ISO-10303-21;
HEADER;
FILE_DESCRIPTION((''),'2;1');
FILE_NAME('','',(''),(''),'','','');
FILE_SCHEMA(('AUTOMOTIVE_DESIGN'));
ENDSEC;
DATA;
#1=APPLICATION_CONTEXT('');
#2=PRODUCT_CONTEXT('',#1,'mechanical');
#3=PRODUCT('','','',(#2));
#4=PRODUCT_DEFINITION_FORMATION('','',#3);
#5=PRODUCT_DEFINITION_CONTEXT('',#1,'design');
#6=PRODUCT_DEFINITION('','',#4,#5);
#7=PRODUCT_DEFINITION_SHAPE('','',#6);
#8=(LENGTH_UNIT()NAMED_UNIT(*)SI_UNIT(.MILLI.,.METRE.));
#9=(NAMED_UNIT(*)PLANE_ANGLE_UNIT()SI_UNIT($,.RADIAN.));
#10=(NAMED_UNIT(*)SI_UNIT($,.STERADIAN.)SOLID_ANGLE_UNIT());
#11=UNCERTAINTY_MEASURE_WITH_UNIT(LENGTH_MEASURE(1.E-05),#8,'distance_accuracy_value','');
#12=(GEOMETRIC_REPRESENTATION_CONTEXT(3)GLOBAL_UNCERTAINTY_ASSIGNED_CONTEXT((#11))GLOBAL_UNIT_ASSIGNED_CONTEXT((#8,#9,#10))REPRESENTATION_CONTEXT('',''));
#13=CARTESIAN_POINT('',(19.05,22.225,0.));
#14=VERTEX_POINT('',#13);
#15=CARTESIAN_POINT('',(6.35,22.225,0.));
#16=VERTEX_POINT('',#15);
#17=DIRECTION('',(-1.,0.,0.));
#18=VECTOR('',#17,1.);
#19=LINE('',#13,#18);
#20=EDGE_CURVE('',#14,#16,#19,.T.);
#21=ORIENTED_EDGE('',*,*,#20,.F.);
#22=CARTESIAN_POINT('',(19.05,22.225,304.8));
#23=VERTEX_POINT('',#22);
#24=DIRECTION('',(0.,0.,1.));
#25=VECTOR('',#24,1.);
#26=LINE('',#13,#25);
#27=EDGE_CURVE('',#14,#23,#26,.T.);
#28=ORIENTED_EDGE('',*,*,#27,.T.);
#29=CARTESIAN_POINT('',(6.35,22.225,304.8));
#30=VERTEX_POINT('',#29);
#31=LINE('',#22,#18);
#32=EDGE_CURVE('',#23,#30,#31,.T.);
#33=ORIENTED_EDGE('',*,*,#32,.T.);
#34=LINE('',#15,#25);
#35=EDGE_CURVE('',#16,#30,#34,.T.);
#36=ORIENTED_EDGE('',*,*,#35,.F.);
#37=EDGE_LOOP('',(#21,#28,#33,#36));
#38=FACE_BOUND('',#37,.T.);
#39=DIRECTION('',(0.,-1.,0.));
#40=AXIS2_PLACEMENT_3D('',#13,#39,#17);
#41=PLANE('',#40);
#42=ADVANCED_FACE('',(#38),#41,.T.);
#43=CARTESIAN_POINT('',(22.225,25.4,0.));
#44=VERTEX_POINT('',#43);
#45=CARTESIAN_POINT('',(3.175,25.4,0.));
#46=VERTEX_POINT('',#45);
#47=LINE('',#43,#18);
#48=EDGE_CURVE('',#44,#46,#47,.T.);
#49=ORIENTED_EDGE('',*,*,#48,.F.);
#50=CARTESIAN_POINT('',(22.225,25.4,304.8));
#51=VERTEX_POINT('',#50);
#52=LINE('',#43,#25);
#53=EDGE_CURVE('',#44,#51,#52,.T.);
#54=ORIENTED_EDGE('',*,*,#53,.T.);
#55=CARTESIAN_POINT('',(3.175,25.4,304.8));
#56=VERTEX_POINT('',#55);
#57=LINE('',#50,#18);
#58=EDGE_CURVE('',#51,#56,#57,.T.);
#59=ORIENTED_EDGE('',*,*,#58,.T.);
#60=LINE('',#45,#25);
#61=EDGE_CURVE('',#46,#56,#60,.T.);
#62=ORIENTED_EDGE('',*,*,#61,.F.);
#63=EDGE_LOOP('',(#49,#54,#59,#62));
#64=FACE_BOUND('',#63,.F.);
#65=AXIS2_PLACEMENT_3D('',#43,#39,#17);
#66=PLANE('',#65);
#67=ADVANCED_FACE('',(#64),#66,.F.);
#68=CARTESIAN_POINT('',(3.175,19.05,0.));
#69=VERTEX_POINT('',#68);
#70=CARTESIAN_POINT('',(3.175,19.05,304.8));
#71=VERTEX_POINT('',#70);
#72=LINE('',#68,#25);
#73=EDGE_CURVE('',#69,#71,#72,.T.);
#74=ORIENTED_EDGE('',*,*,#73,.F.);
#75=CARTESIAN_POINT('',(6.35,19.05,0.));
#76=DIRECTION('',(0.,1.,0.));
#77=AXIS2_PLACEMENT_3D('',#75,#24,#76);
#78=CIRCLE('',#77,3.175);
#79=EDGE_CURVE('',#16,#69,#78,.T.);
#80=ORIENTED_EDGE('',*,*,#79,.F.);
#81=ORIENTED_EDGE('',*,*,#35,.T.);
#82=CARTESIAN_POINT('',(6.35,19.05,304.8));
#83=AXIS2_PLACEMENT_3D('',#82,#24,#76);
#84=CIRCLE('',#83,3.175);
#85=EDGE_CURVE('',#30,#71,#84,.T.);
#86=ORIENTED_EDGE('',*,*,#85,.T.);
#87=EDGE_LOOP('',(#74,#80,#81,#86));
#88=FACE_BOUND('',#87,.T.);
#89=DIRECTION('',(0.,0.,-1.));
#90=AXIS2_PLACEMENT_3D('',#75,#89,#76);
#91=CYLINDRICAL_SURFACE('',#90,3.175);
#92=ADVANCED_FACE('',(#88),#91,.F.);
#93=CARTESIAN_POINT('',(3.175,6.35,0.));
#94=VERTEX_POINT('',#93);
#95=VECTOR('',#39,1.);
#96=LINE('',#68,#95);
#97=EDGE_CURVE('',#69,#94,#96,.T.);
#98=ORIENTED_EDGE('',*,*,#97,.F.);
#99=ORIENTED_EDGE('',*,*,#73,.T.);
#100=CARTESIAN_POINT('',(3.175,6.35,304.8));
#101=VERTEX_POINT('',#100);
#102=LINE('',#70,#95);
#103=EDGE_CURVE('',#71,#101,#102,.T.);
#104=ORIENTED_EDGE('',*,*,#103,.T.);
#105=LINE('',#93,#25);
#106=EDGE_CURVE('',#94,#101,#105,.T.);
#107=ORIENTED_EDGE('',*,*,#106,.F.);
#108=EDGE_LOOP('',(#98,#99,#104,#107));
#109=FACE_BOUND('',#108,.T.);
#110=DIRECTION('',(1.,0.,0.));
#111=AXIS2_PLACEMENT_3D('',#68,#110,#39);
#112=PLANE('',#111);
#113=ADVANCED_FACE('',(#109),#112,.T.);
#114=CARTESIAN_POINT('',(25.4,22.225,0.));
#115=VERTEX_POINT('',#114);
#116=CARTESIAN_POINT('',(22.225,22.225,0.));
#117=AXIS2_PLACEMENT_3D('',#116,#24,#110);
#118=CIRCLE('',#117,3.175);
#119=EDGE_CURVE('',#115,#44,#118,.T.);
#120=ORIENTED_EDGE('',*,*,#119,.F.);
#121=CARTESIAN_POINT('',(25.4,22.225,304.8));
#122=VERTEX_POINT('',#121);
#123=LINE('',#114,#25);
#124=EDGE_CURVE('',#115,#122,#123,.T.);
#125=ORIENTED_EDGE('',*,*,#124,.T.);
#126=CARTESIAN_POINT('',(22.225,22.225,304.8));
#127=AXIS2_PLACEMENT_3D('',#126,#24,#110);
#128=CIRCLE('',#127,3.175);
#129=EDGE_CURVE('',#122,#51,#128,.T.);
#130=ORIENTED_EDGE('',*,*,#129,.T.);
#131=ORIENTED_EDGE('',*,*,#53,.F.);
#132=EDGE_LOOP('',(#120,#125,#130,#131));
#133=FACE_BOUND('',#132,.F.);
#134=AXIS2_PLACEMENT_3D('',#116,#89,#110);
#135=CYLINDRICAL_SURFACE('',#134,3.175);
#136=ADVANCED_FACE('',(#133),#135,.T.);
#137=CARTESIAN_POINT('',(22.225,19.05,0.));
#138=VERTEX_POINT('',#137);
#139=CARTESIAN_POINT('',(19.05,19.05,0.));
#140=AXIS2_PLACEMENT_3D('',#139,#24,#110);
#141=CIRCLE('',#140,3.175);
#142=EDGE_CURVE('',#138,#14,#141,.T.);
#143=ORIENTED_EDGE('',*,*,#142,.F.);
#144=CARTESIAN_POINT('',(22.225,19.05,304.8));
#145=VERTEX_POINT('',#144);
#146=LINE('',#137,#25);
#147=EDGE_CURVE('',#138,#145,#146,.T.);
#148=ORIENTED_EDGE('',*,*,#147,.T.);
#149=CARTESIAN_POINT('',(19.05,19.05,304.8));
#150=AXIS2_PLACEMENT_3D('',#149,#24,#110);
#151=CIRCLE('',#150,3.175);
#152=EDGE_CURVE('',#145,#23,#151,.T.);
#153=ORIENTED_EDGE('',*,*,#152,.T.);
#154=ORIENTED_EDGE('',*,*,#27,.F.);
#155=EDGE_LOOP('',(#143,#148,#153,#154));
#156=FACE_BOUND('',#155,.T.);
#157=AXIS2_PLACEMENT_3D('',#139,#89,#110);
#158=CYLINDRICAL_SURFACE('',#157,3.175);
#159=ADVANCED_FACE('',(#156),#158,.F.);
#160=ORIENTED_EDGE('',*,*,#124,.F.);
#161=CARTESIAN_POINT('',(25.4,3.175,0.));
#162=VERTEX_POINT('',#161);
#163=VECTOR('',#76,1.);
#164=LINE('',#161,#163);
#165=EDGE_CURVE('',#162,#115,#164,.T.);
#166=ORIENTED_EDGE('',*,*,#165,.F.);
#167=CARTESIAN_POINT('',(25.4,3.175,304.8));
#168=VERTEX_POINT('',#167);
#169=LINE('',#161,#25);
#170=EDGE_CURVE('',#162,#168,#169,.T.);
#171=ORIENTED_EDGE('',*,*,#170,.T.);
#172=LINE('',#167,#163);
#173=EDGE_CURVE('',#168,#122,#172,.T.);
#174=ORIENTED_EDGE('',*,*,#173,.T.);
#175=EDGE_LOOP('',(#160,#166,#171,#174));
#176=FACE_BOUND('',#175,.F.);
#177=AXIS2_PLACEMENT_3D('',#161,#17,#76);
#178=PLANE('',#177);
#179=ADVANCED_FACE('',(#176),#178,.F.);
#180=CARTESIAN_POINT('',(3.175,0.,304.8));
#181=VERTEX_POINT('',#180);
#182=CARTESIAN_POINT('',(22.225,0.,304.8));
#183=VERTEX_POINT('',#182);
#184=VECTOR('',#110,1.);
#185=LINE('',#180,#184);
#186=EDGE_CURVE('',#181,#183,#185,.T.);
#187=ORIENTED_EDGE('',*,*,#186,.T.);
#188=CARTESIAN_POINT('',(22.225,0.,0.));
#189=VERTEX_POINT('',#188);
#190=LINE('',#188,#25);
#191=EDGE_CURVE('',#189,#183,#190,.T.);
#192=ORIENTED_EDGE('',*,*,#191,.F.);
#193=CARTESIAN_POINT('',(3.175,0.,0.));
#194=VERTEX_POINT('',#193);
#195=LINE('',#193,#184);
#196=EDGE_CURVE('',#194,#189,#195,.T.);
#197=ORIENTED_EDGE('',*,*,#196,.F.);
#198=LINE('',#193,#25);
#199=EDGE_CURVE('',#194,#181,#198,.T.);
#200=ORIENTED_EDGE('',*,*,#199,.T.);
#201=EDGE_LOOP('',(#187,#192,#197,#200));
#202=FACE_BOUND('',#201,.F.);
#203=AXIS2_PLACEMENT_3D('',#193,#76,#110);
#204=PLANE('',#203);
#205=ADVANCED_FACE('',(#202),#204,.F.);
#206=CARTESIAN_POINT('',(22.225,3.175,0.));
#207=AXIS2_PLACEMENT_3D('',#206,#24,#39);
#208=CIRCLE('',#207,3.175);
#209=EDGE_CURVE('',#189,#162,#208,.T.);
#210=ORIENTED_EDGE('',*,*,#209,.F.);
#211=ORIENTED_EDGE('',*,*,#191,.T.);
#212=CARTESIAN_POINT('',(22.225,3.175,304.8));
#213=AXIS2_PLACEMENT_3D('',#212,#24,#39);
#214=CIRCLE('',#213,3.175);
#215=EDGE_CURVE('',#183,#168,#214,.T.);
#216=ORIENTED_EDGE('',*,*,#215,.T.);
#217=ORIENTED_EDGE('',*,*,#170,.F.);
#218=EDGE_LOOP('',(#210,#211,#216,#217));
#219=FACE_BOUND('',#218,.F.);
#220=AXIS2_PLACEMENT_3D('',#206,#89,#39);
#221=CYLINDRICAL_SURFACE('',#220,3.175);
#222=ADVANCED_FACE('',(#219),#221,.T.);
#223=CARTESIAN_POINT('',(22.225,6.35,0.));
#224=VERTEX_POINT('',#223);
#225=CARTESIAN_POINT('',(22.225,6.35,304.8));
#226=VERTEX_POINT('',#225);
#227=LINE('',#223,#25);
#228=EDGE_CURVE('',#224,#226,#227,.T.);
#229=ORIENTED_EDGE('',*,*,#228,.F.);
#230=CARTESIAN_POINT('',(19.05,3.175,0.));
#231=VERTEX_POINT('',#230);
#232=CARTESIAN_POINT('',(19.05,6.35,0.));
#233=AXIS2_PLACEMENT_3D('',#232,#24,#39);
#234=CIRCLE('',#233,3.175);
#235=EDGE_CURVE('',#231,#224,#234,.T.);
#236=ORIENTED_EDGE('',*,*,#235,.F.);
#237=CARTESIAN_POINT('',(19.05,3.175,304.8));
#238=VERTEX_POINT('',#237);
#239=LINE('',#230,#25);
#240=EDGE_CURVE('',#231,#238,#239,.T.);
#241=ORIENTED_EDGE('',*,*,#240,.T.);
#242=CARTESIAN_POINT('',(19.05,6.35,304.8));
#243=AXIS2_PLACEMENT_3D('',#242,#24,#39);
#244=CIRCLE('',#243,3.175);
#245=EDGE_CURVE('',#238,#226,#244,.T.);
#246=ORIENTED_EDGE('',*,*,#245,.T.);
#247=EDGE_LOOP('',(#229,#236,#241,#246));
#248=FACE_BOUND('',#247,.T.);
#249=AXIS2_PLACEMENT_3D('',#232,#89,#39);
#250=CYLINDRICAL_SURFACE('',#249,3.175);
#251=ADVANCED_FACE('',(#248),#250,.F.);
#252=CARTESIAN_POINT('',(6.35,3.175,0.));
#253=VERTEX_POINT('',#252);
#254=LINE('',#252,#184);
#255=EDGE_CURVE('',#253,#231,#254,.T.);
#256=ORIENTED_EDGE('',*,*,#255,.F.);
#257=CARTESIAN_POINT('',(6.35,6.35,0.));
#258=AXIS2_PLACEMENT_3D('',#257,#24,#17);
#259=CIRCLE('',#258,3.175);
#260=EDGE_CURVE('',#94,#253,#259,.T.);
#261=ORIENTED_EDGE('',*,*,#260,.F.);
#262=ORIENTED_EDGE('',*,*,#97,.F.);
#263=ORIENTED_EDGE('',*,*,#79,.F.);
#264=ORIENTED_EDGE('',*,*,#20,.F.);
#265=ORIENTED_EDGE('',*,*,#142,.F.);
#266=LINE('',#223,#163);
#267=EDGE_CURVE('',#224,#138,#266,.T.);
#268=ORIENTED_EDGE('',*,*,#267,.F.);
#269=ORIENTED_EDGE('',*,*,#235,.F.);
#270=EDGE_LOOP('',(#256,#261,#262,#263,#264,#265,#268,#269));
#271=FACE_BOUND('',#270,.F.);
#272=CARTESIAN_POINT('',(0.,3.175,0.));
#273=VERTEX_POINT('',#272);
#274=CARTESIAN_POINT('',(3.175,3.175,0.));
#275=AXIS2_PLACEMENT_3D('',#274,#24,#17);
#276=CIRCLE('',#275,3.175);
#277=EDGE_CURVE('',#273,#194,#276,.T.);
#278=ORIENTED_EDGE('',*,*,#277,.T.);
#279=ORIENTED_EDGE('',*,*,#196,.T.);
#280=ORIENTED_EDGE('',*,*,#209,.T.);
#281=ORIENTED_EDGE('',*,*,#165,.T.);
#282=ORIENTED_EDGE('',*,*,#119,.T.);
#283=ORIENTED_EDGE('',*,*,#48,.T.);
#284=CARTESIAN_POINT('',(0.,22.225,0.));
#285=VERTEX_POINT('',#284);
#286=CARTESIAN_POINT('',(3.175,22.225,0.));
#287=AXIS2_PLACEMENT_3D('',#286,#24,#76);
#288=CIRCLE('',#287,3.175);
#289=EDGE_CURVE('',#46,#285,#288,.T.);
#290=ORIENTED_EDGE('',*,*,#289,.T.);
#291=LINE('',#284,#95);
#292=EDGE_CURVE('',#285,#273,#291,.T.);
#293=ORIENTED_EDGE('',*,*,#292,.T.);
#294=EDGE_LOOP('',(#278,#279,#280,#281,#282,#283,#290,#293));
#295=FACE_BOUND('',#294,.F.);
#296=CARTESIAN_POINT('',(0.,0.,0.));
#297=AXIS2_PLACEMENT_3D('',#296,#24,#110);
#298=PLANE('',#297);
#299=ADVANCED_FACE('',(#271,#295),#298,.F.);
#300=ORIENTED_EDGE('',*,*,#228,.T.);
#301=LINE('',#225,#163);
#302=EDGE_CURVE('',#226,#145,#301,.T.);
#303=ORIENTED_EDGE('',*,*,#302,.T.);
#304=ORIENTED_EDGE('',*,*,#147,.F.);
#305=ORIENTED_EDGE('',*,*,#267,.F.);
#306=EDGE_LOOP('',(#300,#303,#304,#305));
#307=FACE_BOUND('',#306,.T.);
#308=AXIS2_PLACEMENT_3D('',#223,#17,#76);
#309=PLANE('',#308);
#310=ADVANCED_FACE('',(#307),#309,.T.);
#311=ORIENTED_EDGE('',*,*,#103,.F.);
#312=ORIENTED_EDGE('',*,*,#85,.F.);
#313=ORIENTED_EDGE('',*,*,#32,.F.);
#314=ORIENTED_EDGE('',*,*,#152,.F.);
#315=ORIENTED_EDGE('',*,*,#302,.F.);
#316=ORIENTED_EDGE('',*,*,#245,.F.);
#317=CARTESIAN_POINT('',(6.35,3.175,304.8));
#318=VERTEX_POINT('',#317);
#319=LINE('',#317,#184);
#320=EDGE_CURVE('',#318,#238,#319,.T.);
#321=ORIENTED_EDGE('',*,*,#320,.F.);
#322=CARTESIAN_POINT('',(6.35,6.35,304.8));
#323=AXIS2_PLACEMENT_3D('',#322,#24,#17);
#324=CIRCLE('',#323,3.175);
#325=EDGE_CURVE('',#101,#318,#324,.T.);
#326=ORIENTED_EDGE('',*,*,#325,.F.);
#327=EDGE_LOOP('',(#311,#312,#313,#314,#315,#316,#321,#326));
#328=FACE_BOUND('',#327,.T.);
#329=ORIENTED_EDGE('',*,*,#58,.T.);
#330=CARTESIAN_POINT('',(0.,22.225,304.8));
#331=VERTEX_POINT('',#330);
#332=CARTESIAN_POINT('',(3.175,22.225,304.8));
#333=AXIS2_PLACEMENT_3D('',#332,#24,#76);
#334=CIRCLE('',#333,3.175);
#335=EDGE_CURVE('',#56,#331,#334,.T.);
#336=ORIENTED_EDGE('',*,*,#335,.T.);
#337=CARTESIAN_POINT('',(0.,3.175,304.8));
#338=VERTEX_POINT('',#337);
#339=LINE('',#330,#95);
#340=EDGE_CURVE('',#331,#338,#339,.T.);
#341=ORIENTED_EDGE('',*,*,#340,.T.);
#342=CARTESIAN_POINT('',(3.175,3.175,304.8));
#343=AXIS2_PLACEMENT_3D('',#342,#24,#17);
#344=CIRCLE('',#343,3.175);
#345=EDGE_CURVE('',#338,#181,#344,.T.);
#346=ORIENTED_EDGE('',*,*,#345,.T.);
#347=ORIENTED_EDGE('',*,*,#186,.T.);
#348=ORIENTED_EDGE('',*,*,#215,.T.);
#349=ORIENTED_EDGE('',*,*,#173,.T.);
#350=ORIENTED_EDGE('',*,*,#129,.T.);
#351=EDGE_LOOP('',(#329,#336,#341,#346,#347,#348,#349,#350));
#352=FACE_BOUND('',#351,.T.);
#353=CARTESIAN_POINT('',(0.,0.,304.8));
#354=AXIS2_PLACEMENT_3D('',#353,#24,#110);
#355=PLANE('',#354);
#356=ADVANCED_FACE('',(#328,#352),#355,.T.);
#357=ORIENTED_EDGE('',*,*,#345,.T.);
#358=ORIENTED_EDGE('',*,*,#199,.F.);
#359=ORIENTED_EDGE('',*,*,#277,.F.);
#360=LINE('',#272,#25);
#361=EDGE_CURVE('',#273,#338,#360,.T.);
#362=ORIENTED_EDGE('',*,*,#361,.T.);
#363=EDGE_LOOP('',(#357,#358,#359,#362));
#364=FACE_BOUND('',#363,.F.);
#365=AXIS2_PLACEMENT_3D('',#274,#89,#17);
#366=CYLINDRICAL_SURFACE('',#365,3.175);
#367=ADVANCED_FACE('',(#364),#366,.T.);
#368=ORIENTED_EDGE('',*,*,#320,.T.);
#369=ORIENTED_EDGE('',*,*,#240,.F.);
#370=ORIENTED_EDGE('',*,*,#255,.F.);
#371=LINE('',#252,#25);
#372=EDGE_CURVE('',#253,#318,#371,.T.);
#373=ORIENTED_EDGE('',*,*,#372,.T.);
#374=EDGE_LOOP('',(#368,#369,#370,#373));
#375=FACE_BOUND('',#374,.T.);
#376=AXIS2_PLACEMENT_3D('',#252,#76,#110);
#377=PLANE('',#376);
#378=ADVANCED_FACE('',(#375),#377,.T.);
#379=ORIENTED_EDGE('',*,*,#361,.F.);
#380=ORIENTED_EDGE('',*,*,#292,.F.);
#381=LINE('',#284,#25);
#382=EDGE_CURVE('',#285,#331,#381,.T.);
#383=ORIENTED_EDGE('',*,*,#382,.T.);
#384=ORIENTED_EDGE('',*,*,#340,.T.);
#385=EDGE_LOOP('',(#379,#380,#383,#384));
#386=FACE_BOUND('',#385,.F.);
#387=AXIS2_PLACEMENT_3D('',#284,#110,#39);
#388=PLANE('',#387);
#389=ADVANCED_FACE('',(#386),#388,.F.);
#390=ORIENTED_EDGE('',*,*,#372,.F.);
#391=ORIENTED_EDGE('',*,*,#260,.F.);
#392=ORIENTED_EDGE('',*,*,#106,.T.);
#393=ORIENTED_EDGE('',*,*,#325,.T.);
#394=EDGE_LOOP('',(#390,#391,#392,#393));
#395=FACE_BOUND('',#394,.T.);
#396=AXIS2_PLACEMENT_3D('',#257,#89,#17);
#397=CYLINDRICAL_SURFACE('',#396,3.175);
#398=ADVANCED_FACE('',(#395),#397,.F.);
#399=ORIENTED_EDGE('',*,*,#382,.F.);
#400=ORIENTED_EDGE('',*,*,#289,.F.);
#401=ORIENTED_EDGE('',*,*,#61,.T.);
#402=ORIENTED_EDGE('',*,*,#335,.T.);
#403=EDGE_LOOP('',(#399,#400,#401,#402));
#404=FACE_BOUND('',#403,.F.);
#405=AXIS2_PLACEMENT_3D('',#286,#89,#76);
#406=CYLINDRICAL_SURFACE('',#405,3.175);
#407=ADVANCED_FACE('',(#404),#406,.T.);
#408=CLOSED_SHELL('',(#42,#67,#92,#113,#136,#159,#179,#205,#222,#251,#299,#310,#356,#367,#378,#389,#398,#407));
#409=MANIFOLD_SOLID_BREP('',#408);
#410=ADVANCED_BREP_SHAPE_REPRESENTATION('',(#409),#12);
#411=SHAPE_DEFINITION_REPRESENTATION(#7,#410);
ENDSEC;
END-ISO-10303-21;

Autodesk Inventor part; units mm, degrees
ref_plane "YZ Plane" through (0, 0, 0) normal (1, 0, 0) x (0, 1, 0)
ref_plane "XZ Plane" through (0, 0, 0) normal (0, 1, 0) x (-1, 0, 0)
ref_plane "XY Plane" through (0, 0, 0) normal (0, 0, 1) x (1, 0, 0)
sketch "Sketch1" plane through (0, 0, 0) normal (0, 0, 1) x (1, 0, 0)
  line L0 (3.175, 0) -> (22.225, 0)
  line L1 (25.4, 3.175) -> (25.4, 22.225)
  line L2 (22.225, 25.4) -> (3.175, 25.4)
  line L3 (0, 22.225) -> (0, 3.175)
  arc A0 (3.175, 25.4) -> (0, 22.225) centre (3.175, 22.225) ccw
  arc A1 (25.4, 22.225) -> (22.225, 25.4) centre (22.225, 22.225) ccw
  arc A2 (22.225, 0) -> (25.4, 3.175) centre (22.225, 3.175) ccw
  arc A3 (0, 3.175) -> (3.175, 0) centre (3.175, 3.175) ccw
  line L4 (6.35, 3.175) -> (19.05, 3.175)
  line L5 (22.225, 6.35) -> (22.225, 19.05)
  line L6 (19.05, 22.225) -> (6.35, 22.225)
  line L7 (3.175, 19.05) -> (3.175, 6.35)
  arc A4 (6.35, 22.225) -> (3.175, 19.05) centre (6.35, 19.05) ccw
  arc A5 (19.05, 3.175) -> (22.225, 6.35) centre (19.05, 6.35) ccw
  arc A6 (22.225, 19.05) -> (19.05, 22.225) centre (19.05, 19.05) ccw
  arc A7 (3.175, 6.35) -> (6.35, 3.175) centre (6.35, 6.35) ccw
  point P0 (0, 0)
  point P1 (25.4, 25.4)
  point P2 (25.4, 0)
  point P3 (0, 25.4)
  dimension "d0" = 25.4
  dimension "d1" = 25.4
  dimension "d2" = 3.175
  dimension "d3" = 3.175
extrude "Extrusion1" add sketch "Sketch1" along normal blind 304.8
properties part number "SteelPipe12in"
